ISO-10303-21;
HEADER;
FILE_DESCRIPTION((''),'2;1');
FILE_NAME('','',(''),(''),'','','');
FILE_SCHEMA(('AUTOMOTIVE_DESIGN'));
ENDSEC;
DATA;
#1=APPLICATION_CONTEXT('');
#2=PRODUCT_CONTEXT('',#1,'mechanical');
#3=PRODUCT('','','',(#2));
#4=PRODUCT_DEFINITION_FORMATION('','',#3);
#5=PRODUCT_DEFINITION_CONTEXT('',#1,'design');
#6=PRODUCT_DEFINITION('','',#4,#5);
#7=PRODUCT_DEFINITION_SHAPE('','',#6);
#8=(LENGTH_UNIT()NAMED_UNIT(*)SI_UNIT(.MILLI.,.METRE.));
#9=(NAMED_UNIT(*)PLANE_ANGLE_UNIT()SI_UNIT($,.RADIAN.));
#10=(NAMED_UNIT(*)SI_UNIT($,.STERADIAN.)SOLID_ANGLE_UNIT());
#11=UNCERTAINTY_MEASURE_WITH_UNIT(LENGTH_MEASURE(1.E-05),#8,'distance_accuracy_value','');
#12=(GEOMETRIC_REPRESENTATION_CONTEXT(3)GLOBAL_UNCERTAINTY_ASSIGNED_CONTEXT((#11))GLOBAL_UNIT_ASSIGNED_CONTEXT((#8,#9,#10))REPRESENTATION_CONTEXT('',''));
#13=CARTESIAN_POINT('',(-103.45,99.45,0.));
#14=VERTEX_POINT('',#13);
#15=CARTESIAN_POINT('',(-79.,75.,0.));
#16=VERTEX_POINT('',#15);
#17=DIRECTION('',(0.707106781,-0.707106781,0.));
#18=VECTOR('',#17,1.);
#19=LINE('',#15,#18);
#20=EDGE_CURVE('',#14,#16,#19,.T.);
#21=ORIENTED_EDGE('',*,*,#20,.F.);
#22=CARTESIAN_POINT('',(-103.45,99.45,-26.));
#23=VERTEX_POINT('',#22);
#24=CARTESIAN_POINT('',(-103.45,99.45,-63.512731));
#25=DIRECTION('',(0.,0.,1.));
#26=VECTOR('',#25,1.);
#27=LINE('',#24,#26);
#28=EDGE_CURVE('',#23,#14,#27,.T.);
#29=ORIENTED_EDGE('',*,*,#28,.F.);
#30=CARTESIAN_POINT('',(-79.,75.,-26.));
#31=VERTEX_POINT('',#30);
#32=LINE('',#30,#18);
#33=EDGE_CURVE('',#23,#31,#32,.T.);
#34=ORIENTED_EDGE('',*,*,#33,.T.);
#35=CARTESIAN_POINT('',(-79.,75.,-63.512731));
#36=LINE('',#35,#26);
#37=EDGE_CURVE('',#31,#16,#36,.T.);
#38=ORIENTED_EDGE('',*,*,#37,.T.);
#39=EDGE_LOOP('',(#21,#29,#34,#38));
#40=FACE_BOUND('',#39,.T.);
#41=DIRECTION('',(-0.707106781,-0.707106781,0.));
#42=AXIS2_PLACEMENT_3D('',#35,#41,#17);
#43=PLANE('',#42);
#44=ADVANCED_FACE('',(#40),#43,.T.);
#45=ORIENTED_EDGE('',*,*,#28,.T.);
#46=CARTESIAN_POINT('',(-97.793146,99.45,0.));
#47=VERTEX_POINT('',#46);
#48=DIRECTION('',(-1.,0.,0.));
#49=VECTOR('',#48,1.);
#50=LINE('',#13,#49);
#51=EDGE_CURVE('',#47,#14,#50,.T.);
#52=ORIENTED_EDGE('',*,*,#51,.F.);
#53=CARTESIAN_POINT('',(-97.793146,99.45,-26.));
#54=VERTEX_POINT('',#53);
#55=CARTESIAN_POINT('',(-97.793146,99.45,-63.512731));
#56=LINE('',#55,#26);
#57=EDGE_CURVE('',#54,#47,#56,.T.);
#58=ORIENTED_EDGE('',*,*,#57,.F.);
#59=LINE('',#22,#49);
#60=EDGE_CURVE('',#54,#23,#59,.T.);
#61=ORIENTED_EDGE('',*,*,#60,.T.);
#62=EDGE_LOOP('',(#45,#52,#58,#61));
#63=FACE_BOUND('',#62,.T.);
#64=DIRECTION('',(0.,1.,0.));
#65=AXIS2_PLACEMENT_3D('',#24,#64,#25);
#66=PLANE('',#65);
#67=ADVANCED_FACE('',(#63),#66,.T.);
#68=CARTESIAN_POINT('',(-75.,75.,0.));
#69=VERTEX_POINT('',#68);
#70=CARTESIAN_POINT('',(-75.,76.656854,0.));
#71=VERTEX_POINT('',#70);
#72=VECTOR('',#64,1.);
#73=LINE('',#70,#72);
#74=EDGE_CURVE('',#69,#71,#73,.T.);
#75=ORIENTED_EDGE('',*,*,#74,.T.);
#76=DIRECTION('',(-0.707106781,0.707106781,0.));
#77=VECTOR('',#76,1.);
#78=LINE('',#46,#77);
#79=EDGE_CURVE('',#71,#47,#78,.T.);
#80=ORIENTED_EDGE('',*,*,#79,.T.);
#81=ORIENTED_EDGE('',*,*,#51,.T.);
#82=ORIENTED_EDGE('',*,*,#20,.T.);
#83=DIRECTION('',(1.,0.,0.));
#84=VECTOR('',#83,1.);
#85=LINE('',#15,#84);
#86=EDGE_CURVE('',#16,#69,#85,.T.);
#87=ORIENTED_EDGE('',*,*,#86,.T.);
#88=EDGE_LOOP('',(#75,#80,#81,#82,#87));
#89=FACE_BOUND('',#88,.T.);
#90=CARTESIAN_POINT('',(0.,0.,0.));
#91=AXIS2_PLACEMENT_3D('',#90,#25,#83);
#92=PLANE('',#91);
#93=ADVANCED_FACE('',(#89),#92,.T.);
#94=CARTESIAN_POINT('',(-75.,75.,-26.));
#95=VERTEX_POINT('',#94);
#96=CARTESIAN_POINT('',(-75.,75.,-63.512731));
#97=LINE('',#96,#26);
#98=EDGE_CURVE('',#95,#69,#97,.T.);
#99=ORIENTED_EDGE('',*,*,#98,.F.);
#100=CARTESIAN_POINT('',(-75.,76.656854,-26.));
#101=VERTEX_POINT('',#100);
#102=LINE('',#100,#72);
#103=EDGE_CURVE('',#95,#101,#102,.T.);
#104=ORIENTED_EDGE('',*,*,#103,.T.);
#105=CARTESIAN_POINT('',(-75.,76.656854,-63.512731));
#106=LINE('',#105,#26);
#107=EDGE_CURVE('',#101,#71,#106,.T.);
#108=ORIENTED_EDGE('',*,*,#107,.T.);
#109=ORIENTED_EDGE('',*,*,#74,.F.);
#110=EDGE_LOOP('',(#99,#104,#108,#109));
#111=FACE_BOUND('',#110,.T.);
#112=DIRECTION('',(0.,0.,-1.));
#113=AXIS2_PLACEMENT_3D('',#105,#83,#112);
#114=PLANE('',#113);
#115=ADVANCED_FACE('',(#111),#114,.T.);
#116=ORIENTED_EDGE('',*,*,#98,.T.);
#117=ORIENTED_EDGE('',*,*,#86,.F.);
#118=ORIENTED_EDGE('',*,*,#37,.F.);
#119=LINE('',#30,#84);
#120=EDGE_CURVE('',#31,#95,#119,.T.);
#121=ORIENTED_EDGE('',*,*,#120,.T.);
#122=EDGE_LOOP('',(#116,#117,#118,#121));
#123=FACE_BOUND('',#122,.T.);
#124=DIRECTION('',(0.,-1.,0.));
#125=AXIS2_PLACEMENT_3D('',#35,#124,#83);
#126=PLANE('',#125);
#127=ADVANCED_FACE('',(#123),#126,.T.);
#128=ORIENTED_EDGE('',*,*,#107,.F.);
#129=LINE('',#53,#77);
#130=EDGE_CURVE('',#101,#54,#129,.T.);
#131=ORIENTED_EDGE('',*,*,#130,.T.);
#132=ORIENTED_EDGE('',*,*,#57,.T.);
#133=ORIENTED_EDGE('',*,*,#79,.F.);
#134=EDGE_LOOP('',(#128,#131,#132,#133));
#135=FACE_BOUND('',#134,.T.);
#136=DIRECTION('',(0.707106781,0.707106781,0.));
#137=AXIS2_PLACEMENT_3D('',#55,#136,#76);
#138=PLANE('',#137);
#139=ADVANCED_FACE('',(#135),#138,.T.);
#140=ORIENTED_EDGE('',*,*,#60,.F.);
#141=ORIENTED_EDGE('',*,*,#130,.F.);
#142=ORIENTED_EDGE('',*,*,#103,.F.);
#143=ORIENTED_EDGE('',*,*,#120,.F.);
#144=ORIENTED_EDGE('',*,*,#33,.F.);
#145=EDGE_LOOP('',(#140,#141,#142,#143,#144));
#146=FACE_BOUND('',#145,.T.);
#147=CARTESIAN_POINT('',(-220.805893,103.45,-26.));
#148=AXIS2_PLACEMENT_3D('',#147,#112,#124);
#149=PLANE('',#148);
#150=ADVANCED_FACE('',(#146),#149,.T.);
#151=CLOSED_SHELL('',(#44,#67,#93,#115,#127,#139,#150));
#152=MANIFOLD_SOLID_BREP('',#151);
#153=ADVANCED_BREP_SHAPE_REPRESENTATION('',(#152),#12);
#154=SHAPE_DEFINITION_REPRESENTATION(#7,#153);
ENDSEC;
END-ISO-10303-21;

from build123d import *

# Parameters (mm, degrees)
BOSS_EXTRUDE1_DEPTH = 26


with BuildPart() as part:
    # Sketch1 → Boss-Extrude1 (new body)
    with BuildSketch(Plane.XY):
        Polygon((-79, 75), (-75, 75), (-75, 76.656854249), (-97.793145751, 99.45), (-103.45, 99.45), align=None)
    extrude(amount=-BOSS_EXTRUDE1_DEPTH)


solid = part.part
